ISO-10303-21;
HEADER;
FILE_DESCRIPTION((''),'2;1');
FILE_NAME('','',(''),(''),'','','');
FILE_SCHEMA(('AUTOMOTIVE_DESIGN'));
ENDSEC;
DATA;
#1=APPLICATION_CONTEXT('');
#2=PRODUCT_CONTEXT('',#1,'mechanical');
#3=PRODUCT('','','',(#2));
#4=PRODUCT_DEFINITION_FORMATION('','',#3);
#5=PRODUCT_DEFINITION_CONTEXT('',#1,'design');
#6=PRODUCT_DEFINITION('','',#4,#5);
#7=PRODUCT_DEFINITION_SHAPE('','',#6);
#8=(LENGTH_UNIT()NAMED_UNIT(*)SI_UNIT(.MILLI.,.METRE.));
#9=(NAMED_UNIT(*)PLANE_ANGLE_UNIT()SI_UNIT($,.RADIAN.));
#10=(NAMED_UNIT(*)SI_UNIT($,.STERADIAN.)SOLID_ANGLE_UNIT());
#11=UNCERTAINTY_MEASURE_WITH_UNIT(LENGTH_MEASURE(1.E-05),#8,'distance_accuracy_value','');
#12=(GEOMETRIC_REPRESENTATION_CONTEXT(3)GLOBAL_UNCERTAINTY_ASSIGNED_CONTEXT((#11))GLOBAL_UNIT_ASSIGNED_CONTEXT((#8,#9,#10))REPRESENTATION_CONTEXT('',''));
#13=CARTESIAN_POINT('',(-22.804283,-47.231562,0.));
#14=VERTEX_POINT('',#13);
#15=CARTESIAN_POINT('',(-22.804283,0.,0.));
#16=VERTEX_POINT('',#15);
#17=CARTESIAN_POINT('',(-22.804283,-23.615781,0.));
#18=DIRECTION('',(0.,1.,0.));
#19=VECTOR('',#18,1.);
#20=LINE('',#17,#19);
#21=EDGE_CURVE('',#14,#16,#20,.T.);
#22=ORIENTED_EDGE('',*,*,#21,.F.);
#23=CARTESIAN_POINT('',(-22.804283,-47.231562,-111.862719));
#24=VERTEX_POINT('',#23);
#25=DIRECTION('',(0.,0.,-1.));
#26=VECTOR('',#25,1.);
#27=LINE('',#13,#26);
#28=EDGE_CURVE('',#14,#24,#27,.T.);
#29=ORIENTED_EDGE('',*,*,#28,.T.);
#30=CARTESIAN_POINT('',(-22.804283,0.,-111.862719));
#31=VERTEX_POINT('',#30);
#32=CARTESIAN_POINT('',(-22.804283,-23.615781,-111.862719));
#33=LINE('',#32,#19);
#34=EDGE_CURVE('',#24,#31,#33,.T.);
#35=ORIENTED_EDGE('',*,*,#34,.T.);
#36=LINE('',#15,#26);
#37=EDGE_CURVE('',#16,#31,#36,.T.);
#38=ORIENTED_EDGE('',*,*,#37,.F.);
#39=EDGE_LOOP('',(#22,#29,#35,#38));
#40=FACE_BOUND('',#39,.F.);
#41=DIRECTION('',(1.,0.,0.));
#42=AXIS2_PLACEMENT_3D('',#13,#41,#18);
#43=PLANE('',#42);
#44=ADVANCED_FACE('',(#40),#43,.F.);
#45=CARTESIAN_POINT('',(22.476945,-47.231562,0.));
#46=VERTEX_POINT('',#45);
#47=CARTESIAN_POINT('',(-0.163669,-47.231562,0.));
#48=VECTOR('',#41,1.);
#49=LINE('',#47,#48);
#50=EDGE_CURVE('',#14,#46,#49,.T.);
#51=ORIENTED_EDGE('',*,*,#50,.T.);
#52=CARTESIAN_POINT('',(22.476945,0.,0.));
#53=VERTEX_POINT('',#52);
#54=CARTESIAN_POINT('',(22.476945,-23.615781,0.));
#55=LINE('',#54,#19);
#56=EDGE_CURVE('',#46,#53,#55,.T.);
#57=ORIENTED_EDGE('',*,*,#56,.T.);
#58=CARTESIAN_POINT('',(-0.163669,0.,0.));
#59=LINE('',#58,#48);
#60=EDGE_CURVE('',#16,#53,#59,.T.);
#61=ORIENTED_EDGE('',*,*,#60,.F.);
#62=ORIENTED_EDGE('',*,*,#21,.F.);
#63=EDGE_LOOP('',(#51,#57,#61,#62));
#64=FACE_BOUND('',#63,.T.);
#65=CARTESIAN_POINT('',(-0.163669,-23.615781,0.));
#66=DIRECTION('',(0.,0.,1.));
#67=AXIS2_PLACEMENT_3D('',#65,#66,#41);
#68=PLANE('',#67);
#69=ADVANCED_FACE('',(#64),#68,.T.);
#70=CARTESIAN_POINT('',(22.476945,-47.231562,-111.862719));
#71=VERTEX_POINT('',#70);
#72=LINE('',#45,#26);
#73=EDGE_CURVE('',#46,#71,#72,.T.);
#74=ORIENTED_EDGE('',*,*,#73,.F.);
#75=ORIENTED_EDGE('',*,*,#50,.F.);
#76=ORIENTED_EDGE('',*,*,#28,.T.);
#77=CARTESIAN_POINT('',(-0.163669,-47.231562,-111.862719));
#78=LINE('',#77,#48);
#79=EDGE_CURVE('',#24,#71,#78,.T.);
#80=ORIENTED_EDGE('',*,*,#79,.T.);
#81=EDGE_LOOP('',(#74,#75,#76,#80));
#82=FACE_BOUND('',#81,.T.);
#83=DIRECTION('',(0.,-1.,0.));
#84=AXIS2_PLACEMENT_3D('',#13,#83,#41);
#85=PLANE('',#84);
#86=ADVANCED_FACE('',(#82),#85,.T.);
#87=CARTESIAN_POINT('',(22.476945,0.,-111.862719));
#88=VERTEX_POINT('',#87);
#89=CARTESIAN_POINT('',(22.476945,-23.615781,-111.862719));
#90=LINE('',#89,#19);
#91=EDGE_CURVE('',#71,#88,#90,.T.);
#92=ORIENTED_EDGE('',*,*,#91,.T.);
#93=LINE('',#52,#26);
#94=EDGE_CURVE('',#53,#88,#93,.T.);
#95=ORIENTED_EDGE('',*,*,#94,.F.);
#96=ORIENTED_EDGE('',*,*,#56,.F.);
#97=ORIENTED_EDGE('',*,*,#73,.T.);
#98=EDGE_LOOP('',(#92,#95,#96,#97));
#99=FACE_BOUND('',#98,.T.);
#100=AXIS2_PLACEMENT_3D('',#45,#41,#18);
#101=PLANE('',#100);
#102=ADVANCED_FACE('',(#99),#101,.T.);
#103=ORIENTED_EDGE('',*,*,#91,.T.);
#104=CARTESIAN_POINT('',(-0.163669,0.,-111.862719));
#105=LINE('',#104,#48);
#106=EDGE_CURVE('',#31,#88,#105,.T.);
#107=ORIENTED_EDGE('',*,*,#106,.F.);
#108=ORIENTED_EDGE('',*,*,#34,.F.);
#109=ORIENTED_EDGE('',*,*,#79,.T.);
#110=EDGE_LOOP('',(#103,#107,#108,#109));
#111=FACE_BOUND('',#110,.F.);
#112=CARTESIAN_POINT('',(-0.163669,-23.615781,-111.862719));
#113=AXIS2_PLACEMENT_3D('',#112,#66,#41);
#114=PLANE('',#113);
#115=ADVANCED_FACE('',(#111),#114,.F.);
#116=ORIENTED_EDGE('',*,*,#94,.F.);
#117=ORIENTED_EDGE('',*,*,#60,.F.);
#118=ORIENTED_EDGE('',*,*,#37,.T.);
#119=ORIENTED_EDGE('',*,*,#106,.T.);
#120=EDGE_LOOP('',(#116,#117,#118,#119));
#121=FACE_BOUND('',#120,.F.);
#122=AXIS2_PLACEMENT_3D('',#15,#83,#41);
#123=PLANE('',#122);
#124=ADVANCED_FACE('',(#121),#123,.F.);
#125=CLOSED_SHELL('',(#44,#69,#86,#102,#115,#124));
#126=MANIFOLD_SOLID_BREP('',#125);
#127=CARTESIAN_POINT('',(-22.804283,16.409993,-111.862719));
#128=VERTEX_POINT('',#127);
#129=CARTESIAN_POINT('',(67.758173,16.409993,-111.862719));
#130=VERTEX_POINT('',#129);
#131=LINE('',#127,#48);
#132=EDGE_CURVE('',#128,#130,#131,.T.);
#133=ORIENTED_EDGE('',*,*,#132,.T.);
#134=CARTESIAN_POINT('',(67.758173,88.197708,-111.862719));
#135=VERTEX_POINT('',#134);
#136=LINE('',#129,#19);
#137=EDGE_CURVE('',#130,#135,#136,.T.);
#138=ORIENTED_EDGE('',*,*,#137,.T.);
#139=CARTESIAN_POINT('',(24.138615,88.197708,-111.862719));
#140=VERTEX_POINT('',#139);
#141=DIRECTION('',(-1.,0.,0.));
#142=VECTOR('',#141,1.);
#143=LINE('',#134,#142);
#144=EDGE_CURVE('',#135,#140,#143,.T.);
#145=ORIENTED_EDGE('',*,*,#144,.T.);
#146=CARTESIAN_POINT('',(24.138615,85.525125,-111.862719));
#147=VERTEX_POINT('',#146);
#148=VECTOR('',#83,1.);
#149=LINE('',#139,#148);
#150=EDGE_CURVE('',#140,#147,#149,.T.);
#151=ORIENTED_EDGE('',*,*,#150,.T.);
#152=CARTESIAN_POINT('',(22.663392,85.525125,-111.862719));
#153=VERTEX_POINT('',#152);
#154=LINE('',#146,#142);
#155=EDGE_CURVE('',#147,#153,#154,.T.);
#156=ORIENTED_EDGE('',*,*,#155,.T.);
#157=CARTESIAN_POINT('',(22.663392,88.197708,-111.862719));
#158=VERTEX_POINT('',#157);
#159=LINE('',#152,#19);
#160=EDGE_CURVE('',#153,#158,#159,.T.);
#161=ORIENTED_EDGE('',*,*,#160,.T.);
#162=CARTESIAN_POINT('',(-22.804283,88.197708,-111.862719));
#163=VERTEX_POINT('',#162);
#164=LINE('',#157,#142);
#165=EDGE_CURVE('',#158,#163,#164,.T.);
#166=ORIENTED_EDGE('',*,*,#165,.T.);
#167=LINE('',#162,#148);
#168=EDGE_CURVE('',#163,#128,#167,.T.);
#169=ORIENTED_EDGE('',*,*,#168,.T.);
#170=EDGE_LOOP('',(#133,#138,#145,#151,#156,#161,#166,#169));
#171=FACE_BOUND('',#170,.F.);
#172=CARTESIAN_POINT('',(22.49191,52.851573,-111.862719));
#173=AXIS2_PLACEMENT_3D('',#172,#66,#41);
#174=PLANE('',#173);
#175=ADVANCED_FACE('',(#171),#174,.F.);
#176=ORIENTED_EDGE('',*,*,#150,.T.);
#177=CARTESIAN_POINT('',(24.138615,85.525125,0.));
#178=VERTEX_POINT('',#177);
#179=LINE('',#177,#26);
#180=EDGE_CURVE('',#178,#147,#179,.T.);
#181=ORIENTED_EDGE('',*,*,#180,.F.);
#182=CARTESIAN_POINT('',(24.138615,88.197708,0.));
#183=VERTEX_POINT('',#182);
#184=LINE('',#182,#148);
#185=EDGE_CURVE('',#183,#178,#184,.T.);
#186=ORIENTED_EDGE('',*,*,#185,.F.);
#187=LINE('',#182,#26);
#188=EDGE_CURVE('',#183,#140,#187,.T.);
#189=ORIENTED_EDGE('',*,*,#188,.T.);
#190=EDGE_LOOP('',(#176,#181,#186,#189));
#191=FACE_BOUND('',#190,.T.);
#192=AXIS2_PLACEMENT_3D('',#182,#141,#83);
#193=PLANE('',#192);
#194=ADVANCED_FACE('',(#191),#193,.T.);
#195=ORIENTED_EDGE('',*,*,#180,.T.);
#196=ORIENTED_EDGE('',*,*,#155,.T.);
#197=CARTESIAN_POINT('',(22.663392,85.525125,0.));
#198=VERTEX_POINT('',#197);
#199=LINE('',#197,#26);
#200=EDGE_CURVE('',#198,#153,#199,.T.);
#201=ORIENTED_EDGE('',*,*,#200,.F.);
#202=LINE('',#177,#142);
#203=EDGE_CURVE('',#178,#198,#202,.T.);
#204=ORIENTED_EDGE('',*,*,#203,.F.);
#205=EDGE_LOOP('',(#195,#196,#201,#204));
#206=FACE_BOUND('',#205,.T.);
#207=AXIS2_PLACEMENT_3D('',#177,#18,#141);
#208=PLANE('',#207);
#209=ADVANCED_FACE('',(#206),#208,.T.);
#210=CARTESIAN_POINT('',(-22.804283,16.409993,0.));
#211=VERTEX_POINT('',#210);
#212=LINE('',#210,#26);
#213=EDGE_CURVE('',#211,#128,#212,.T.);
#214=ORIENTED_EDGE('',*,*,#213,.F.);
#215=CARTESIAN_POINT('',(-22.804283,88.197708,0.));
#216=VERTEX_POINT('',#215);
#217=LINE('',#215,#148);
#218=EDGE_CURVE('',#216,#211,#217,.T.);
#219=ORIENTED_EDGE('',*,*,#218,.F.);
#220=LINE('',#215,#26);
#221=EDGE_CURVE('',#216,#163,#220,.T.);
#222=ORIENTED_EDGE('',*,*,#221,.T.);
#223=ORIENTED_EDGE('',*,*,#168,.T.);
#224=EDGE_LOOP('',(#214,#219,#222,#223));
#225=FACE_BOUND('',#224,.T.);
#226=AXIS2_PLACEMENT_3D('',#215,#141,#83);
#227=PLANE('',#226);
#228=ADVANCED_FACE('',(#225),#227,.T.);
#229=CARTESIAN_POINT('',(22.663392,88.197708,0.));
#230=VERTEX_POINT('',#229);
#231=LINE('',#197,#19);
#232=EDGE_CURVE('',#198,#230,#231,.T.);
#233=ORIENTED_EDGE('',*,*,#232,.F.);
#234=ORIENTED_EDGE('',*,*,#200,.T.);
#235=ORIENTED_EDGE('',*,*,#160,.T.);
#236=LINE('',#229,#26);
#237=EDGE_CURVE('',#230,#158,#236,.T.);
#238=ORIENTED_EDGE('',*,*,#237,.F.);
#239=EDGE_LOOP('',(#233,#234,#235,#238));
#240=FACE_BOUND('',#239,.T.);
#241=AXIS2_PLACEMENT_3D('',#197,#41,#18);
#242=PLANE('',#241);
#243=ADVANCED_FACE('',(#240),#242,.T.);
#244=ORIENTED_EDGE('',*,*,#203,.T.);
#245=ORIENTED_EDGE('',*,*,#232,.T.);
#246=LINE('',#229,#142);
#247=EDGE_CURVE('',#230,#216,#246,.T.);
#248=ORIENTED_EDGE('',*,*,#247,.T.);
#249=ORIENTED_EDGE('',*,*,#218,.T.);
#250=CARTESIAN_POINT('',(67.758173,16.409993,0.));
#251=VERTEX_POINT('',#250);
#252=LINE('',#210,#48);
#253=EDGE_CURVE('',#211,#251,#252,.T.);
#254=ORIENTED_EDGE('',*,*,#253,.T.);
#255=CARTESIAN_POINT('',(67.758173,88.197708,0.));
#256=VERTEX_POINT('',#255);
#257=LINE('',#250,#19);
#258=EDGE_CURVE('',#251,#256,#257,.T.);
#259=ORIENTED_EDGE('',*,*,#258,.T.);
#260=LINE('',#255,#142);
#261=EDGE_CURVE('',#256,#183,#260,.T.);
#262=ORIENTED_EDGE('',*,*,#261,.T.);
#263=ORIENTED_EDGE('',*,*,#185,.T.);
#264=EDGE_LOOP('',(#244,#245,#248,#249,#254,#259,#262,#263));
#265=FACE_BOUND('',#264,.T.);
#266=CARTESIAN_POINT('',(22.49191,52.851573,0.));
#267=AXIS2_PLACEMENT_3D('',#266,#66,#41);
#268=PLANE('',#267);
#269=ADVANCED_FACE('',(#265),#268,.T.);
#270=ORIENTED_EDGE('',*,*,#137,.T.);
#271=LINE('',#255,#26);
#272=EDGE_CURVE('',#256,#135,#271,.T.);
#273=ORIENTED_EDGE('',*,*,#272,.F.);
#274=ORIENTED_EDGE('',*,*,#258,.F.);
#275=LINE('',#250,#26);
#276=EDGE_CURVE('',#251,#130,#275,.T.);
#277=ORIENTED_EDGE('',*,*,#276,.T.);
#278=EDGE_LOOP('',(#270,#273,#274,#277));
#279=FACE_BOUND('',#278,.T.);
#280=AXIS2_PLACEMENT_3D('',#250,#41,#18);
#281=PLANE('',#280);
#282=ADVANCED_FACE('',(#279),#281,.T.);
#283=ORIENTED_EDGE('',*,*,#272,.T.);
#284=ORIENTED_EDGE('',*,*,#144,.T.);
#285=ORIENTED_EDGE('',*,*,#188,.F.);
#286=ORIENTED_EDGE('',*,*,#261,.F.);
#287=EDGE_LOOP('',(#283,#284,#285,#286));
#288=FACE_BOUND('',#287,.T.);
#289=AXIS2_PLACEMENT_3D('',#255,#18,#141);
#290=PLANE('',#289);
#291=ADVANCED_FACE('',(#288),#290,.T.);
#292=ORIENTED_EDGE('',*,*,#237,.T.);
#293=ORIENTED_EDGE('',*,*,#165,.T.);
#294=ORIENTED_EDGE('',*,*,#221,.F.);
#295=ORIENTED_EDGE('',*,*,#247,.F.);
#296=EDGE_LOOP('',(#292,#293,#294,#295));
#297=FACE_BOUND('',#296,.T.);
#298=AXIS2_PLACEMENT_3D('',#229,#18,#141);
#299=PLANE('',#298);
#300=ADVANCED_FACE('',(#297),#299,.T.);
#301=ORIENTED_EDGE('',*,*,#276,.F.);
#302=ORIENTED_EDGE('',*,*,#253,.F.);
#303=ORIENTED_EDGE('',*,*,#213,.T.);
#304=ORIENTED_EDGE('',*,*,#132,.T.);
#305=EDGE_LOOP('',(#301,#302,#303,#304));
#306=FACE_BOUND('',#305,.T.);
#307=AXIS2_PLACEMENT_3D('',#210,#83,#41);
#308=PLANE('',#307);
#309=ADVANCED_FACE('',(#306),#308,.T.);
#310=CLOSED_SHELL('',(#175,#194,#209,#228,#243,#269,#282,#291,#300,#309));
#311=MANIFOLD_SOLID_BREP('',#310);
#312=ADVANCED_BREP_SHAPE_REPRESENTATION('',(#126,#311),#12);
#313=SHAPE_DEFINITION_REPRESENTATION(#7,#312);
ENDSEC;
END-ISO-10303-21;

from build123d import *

# Parameters (mm, degrees)
F0_W     = 45.281228
F0_H     = 47.231562
F1_DEPTH = 111.862719


with BuildPart() as f1:
    # F0 (on Top) → F1 (new body)
    with BuildSketch(Plane.XY):
        with Locations((-0.163669, -23.615781)):
            Rectangle(F0_W, F0_H)
        Polygon((24.138615, 85.525125), (22.663392, 85.525125), (22.663392, 88.197708), (-22.804283, 88.197708), (-22.804283, 16.409993), (67.758173, 16.409993), (67.758173, 88.197708), (24.138615, 88.197708), align=None)
    extrude(amount=-F1_DEPTH)


solid = f1.part
